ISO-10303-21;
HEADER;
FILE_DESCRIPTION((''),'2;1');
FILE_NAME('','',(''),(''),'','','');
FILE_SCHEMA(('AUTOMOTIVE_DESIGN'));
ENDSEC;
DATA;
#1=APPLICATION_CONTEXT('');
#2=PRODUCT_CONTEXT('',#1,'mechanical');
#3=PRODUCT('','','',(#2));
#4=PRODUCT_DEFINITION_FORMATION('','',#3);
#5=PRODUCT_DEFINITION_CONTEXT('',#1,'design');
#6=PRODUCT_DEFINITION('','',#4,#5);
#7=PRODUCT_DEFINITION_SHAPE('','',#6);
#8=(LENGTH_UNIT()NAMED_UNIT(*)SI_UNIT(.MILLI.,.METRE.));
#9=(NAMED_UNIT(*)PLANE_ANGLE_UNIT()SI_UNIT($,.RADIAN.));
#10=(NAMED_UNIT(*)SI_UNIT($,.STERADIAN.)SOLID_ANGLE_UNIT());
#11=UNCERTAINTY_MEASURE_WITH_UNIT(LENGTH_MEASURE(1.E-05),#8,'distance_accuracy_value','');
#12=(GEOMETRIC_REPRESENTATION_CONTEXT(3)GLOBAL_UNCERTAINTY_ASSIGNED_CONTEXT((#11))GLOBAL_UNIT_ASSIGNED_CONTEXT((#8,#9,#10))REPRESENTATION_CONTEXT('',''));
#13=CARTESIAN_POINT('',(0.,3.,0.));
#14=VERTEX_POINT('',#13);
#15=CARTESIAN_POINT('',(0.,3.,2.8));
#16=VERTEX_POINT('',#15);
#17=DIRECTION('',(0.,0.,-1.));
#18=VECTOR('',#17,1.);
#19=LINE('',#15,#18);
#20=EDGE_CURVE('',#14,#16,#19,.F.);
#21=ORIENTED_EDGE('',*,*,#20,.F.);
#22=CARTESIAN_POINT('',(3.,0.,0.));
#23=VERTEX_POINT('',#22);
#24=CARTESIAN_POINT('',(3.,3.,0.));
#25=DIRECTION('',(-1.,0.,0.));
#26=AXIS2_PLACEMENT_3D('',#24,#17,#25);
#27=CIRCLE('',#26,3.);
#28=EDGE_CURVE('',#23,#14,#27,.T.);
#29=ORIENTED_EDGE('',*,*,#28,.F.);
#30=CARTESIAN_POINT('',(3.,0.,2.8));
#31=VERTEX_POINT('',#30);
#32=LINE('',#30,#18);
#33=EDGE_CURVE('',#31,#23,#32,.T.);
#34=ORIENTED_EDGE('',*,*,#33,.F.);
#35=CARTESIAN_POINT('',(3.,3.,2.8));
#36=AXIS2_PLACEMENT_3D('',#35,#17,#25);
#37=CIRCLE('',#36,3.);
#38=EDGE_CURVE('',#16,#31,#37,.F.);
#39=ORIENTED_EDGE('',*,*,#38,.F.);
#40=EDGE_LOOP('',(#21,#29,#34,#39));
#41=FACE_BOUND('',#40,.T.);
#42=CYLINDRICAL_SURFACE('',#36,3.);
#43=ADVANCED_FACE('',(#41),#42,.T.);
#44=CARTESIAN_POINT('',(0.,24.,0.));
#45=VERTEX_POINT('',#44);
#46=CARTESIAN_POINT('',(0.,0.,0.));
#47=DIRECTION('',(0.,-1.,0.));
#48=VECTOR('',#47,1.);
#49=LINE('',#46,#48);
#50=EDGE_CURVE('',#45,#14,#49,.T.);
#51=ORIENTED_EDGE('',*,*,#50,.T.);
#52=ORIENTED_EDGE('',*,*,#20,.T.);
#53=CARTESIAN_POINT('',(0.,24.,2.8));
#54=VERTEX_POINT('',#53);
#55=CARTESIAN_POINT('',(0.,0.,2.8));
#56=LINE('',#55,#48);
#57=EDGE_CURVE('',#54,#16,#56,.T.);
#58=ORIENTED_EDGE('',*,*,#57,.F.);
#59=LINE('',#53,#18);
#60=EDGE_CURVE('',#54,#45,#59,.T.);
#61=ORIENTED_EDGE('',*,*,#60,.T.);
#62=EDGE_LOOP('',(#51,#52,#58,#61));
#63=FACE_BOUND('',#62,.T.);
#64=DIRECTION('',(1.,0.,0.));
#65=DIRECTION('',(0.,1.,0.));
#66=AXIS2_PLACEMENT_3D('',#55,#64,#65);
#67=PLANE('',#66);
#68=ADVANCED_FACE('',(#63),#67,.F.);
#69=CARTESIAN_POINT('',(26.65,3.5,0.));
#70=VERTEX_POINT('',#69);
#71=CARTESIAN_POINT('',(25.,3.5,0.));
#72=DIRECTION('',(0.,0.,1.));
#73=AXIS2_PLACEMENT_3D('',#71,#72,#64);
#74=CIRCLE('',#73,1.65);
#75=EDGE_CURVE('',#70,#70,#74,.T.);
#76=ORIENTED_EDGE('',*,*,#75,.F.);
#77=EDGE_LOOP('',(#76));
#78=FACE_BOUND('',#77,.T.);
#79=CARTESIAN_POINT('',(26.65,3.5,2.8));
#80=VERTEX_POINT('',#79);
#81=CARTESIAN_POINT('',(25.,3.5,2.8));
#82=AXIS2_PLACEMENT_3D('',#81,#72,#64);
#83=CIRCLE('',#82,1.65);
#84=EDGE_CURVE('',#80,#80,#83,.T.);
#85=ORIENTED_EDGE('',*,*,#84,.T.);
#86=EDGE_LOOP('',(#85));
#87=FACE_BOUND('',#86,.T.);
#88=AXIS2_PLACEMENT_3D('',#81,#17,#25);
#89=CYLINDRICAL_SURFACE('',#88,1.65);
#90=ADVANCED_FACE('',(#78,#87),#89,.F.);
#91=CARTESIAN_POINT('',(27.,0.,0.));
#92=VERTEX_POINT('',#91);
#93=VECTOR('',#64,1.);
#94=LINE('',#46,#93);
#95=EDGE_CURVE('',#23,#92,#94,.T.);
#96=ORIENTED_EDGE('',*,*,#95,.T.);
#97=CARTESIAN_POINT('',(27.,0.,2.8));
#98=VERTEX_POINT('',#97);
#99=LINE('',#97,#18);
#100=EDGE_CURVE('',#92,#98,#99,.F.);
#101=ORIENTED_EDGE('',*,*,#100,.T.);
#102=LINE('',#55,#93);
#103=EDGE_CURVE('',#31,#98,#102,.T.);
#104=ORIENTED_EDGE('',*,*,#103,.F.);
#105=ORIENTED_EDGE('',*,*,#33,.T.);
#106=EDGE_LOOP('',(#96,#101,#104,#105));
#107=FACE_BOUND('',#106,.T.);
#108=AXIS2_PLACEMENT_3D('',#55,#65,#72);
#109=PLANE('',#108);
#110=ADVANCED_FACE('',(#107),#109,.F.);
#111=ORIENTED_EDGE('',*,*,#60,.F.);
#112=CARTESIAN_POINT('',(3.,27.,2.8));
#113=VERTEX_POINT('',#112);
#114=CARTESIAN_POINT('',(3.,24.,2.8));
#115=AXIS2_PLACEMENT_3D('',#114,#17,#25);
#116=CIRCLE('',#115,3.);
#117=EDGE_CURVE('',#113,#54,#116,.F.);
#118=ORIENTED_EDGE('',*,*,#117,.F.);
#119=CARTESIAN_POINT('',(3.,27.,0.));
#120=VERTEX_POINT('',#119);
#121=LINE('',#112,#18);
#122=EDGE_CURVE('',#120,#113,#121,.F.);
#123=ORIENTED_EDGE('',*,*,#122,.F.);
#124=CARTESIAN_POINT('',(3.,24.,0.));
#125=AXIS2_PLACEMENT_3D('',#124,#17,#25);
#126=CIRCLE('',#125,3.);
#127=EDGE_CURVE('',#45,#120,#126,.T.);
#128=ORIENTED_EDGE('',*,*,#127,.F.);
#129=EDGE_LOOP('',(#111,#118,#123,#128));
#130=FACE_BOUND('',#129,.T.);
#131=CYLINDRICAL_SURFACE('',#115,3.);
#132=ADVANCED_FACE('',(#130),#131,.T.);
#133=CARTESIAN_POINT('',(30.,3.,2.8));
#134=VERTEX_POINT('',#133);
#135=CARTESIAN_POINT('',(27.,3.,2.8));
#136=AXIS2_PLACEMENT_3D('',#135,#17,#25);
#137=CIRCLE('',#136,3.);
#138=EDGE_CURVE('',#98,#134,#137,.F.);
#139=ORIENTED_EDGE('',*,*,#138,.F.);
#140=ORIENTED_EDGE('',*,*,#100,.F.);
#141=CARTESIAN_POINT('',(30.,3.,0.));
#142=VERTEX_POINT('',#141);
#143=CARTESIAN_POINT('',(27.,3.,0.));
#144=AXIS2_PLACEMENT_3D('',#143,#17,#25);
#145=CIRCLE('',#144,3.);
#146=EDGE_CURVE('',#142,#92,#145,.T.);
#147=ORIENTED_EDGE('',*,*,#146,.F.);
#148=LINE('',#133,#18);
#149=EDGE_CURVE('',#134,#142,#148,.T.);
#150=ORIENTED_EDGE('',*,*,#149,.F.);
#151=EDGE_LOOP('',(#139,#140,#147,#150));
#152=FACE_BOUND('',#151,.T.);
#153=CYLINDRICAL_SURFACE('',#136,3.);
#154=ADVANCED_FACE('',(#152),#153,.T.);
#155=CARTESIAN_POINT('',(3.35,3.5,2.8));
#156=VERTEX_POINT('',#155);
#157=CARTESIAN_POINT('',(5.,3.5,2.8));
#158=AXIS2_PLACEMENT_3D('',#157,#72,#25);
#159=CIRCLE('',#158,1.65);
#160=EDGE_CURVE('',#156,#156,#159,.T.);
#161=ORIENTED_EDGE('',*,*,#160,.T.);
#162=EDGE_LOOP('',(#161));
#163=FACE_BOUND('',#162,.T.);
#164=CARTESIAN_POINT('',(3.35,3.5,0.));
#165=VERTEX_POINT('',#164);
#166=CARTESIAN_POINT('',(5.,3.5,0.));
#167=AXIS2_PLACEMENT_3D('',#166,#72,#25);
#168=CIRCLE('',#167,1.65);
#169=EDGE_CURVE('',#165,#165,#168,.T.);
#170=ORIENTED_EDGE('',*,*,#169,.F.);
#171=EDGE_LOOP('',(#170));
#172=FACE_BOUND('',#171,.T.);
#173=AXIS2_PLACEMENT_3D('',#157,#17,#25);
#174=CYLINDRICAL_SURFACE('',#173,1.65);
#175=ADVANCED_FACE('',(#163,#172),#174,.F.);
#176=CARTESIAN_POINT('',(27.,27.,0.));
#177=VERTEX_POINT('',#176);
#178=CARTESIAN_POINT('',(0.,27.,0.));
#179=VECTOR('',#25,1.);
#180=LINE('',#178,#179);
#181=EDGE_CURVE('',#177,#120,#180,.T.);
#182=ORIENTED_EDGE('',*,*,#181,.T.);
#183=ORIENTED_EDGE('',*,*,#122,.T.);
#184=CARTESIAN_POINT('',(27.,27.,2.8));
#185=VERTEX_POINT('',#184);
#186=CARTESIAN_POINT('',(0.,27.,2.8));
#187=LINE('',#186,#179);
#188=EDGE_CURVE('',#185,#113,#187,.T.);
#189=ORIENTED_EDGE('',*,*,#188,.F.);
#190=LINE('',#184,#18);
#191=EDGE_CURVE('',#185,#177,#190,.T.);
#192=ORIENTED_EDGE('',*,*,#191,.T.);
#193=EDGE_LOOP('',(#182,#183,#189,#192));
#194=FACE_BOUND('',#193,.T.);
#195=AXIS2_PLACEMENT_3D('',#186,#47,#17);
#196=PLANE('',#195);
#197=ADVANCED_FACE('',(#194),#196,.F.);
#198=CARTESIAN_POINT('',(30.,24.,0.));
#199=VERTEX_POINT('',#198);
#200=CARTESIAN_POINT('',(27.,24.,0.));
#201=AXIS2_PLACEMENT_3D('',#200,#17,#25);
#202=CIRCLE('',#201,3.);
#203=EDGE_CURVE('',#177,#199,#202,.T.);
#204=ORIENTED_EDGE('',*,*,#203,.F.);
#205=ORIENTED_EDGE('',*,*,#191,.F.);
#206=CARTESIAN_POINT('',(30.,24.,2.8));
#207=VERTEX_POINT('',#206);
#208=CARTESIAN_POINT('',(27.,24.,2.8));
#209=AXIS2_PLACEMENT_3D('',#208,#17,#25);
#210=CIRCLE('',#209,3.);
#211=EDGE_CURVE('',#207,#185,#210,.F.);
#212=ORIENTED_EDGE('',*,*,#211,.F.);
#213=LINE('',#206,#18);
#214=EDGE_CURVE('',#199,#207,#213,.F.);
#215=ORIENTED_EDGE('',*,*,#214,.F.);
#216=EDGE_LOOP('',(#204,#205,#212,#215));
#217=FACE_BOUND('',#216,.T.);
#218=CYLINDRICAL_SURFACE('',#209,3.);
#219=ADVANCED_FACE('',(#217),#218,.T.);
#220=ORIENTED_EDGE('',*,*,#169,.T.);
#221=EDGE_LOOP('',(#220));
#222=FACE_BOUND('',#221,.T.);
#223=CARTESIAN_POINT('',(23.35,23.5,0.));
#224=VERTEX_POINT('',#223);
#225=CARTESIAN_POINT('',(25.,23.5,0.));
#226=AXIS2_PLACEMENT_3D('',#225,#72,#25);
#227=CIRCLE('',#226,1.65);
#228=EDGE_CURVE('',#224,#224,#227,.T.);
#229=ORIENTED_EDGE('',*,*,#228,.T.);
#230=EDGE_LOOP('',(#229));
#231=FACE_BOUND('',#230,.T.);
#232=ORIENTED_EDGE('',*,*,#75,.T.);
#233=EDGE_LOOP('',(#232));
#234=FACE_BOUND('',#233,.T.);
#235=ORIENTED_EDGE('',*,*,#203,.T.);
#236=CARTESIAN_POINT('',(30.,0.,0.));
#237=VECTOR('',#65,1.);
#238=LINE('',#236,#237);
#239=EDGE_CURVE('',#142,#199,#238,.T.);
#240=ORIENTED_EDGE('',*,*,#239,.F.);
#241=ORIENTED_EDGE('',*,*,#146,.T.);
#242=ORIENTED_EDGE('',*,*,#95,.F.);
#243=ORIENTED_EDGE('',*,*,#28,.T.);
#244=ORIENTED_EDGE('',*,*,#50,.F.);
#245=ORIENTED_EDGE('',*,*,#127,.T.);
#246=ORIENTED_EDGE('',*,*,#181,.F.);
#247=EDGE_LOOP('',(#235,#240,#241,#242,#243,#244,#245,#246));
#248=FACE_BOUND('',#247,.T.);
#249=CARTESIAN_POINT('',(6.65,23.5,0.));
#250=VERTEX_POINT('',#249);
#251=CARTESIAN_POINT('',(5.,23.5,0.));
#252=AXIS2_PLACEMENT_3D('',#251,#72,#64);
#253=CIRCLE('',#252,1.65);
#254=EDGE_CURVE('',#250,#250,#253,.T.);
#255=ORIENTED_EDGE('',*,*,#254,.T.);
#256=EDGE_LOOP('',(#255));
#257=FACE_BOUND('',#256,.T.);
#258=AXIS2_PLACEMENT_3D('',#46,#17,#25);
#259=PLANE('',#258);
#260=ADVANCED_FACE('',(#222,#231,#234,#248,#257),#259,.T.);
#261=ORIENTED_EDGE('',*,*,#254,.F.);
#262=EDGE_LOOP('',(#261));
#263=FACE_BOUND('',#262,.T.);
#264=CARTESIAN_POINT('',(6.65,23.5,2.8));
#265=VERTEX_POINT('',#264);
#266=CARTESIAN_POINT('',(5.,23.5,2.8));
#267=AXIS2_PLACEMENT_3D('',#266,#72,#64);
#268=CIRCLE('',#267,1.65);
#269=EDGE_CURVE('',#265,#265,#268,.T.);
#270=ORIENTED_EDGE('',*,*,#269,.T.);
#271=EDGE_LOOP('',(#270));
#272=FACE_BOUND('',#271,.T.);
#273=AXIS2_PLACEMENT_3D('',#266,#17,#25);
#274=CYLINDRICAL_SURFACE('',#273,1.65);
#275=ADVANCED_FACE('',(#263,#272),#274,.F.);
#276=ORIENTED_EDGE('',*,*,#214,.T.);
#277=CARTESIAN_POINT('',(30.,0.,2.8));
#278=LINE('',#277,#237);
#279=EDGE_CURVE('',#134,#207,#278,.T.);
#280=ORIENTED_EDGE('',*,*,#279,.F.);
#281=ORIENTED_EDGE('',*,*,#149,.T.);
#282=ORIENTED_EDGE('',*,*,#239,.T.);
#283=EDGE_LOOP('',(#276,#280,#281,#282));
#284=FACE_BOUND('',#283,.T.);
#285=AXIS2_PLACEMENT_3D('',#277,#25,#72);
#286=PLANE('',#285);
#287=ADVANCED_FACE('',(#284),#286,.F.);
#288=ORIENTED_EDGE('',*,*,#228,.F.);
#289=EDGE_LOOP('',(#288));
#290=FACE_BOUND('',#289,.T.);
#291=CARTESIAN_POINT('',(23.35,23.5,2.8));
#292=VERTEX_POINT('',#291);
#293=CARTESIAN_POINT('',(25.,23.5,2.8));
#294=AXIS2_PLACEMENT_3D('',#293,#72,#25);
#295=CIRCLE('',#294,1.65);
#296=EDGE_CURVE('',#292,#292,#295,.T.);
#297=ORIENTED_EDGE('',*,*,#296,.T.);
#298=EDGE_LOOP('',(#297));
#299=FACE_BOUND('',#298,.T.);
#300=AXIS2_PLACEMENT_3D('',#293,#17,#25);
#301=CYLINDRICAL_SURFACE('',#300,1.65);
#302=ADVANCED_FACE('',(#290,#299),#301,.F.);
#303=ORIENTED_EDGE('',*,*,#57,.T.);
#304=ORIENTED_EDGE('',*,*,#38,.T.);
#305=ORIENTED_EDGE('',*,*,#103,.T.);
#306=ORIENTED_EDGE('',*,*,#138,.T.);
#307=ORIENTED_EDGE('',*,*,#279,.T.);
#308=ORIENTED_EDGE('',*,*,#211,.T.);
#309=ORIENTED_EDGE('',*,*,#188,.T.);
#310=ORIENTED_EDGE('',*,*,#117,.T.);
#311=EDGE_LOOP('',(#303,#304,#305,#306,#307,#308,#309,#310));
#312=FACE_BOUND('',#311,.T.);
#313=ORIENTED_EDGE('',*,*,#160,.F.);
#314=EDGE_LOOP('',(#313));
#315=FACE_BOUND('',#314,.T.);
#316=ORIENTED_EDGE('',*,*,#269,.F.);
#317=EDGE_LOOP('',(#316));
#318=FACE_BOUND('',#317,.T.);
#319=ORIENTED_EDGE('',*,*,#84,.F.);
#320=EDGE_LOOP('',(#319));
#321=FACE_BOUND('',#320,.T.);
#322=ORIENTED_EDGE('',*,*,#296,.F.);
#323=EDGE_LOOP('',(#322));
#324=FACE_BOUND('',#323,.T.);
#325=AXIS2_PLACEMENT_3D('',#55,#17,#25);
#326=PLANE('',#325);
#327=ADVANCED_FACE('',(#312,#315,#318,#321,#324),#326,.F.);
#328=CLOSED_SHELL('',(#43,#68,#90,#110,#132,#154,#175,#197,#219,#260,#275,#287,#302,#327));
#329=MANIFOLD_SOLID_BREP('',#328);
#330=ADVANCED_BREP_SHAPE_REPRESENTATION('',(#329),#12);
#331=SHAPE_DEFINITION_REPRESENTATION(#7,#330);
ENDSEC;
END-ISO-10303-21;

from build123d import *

# Parameters (mm, degrees)
SKETCH_1_W      = 30
SKETCH_1_H      = 27
SKETCH_1_R      = 1.65
EXTRUDE_1_DEPTH = 2.8
FILLET_1_R      = 3


with BuildPart() as part:
    # 草图1 → 凸台-拉伸1 (new body)
    with BuildSketch(Plane.XY):
        with Locations((15, 13.5)):
            Rectangle(SKETCH_1_W, SKETCH_1_H)
        with Locations((5, 23.5)):
            Circle(SKETCH_1_R, mode=Mode.SUBTRACT)
        with Locations(Location((25, 23.5, 0), (0, 0, 180))):
            Circle(SKETCH_1_R, mode=Mode.SUBTRACT)
        with Locations((25, 3.5)):
            Circle(SKETCH_1_R, mode=Mode.SUBTRACT)
        with Locations(Location((5, 3.5, 0), (0, 0, 180))):
            Circle(SKETCH_1_R, mode=Mode.SUBTRACT)
    extrude(amount=EXTRUDE_1_DEPTH)

    # 圆角1
    fillet_1_edges = [part.edges().sort_by_distance(p)[0] for p in [
        (0, 27, 1.4),
        (30, 27, 1.4),
        (30, 0, 1.4),
        (0, 0, 1.4),
    ]]
    fillet(fillet_1_edges, radius=FILLET_1_R)


solid = part.part
